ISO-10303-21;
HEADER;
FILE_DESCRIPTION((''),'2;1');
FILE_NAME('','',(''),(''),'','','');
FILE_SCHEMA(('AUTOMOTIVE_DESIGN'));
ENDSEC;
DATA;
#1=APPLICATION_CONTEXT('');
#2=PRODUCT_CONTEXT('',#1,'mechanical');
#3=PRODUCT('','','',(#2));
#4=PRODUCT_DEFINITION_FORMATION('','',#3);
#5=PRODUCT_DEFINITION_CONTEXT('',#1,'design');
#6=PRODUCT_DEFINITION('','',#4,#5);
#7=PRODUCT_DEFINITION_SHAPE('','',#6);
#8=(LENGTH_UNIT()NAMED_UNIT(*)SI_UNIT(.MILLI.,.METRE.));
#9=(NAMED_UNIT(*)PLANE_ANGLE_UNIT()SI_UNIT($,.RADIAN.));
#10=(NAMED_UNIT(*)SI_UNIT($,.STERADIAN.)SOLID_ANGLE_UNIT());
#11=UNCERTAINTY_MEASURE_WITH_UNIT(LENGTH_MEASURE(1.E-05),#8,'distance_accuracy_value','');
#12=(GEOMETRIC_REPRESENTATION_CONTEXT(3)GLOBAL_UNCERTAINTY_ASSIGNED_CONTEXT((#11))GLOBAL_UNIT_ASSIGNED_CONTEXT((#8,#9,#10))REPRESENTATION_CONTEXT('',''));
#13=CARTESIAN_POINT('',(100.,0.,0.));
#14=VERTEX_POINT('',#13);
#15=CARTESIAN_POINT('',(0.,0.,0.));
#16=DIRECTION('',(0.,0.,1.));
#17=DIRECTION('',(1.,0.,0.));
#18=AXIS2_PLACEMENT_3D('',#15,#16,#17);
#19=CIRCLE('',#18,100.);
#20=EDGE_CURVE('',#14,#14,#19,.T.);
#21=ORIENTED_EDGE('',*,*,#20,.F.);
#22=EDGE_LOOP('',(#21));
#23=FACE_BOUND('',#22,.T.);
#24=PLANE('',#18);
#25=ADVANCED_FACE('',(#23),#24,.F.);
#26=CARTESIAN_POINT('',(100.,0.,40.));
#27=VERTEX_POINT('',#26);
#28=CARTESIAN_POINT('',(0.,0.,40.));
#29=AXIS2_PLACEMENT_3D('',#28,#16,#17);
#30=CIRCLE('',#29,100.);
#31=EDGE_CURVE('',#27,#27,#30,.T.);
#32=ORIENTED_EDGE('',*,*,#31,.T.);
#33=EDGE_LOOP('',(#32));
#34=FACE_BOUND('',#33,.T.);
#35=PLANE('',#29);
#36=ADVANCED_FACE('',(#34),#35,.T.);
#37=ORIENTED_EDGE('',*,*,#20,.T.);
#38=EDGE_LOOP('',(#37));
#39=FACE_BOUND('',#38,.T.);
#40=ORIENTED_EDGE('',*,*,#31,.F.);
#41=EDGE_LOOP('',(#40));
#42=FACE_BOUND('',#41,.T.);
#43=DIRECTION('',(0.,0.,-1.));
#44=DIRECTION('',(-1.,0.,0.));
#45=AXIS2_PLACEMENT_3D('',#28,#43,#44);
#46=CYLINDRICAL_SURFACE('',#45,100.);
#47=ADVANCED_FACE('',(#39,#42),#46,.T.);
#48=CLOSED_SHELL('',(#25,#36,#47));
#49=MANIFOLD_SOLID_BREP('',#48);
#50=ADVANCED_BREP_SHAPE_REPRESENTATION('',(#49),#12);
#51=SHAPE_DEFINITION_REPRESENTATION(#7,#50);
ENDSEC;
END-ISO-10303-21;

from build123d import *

# Parameters (mm, degrees)
ESBO_O1_R                = 100
RESSALTO_EXTRUS_O1_DEPTH = 40


with BuildPart() as part:
    # Esboço1 → Ressalto-extrusão1 (new body)
    with BuildSketch(Plane.XY):
        Circle(ESBO_O1_R)
    extrude(amount=RESSALTO_EXTRUS_O1_DEPTH)


solid = part.part
